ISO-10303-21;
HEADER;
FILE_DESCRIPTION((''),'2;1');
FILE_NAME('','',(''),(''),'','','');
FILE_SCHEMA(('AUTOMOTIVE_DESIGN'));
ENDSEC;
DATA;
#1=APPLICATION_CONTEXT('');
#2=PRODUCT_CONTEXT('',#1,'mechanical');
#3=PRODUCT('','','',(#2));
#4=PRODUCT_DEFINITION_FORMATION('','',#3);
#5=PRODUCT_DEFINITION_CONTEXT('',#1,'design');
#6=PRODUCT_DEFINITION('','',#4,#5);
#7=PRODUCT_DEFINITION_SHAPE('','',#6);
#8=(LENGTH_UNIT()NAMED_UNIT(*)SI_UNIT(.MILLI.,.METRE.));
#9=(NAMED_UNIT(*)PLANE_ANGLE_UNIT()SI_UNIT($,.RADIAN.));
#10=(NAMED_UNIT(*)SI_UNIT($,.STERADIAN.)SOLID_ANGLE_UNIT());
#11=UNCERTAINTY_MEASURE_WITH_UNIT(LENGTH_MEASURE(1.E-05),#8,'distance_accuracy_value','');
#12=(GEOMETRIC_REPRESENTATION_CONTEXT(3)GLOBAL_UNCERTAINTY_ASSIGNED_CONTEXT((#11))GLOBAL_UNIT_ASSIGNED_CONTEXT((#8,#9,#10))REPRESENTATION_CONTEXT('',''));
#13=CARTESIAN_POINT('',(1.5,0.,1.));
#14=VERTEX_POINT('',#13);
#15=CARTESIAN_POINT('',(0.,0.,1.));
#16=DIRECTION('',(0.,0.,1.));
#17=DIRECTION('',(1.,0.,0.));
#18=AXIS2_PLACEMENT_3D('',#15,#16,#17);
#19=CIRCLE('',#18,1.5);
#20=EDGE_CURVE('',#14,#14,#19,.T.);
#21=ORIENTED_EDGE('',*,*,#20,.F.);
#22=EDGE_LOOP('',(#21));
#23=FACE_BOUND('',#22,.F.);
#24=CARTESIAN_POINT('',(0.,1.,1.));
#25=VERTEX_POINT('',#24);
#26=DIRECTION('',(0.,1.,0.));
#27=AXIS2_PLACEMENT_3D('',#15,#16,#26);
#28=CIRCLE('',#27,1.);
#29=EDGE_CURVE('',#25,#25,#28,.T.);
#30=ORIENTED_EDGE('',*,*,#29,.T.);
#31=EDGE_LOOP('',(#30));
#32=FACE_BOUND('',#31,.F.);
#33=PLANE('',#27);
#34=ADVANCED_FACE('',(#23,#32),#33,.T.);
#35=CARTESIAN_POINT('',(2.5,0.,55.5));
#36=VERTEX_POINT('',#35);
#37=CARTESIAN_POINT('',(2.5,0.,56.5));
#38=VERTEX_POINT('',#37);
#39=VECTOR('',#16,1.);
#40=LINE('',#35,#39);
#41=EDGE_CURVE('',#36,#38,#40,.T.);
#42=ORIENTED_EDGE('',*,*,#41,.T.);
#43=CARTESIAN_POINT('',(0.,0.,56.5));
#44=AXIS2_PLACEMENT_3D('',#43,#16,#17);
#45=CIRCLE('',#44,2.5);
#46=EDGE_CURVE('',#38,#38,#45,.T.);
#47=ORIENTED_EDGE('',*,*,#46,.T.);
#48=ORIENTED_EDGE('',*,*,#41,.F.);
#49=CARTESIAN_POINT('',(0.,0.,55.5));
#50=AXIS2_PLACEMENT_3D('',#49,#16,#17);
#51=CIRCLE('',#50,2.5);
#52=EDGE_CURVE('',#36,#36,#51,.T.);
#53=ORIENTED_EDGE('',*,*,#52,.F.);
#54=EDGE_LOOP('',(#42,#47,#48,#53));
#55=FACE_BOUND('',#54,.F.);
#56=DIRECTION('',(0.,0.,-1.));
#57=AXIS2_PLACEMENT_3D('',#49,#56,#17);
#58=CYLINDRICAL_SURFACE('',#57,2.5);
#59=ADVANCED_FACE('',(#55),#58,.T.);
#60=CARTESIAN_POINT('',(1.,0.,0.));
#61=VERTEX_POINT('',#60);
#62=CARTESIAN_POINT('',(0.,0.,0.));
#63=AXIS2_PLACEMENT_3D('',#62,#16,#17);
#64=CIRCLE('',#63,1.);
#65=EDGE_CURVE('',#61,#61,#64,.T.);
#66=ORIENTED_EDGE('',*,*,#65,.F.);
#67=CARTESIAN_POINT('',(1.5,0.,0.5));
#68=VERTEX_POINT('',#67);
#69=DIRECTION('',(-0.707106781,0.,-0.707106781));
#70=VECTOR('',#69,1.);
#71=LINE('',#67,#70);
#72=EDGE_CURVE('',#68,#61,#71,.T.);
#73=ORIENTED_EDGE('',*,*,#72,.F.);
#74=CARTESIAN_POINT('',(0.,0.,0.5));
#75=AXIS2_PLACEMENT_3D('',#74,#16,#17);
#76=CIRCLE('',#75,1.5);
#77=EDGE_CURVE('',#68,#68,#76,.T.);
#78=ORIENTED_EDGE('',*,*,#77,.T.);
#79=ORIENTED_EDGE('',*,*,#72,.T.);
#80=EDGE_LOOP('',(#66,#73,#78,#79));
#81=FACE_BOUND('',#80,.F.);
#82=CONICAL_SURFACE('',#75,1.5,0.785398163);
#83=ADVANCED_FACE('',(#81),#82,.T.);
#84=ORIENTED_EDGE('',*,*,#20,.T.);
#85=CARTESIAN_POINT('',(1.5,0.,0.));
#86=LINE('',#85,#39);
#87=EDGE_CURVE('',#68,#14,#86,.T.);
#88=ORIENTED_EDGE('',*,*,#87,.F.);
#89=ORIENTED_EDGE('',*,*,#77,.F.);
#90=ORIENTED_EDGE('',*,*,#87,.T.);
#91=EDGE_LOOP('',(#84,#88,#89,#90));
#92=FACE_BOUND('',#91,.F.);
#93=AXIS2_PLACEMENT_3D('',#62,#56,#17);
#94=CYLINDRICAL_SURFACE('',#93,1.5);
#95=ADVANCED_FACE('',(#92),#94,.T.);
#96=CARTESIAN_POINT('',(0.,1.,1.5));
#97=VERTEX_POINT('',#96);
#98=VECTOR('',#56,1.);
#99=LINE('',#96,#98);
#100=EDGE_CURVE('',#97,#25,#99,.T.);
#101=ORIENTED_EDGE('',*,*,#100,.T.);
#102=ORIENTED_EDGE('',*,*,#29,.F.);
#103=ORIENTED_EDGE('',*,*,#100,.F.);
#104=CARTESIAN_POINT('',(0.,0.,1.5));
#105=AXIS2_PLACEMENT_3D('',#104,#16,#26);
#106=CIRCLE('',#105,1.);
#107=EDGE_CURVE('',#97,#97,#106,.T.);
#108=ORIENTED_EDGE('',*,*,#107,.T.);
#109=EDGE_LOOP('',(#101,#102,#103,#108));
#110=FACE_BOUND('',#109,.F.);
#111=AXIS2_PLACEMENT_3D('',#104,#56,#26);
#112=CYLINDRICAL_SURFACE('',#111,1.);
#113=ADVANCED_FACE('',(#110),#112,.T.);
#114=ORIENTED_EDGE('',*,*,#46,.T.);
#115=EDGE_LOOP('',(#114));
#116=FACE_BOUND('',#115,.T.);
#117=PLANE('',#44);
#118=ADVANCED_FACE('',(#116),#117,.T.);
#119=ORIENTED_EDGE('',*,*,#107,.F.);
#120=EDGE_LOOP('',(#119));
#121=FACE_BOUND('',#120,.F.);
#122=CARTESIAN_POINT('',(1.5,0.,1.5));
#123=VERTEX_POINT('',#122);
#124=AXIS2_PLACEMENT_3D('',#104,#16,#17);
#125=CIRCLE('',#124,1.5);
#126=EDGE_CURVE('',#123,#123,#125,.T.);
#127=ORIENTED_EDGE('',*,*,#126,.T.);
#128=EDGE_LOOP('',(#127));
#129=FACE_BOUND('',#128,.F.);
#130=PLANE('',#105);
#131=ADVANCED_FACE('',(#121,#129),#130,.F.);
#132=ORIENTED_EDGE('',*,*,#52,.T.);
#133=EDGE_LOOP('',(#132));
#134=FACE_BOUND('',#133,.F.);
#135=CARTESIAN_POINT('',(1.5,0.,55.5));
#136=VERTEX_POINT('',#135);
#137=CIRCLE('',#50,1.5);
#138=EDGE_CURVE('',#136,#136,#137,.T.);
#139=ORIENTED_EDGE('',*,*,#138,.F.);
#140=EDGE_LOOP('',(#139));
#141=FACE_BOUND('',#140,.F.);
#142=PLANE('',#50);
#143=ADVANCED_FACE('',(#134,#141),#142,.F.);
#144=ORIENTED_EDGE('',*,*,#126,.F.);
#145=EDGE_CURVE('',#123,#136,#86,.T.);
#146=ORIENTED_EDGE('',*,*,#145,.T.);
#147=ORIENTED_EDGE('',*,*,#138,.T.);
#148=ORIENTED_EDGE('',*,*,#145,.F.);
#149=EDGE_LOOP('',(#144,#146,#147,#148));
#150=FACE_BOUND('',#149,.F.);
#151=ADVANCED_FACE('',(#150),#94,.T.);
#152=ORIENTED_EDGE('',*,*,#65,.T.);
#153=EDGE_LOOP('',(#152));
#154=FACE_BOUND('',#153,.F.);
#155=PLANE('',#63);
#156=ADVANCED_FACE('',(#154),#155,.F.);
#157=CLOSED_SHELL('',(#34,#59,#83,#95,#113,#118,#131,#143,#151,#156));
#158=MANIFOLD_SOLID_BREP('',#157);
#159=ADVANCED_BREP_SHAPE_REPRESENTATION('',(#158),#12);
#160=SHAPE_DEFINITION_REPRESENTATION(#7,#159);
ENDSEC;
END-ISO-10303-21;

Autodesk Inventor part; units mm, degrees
ref_plane "YZ Plane" through (0, 0, 0) normal (1, 0, 0) x (0, 1, 0)
ref_plane "XZ Plane" through (0, 0, 0) normal (0, 1, 0) x (-1, 0, 0)
ref_plane "XY Plane" through (0, 0, 0) normal (0, 0, 1) x (1, 0, 0)
sketch "Sketch1" plane through (0, 0, 0) normal (0, 0, 1) x (1, 0, 0)
  circle A0 centre (0, 0) radius 1.5
  dimension "d0" = 3
extrude "Extrusion1" add sketch "Sketch1" along normal blind 55.5
sketch "Sketch2" plane through (0, 0, 55.5) normal (0, 0, 1) x (1, 0, 0)
  circle A0 centre (0, 0) radius 1.5 projected
  circle A1 centre (0, 0) radius 2.5
  dimension "d3" = 5
extrude "Extrusion2" add sketch "Sketch2" along normal blind 1 contours A0 | A1
sketch "Sketch3" plane through (0, 0, 0) normal (1, 0, 0) x (0, 1, 0)
  line L0 (-1.5, 55.5) -> (-2.5, 55.5) projected
  line L1 (-2.5, 55.5) -> (-2.5, 56.5) projected
  line L2 (-2.5, 56.5) -> (2.5, 56.5) projected
  line L3 (2.5, 56.5) -> (2.5, 55.5) projected
  line L4 (2.5, 55.5) -> (1.5, 55.5) projected
  line L5 (1.5, 55.5) -> (1.5, 0) projected
  line L6 (1.5, 0) -> (-1.5, 0) projected
  line L7 (-1.5, 0) -> (-1.5, 55.5) projected
  line L8 (1.5, 1.5) -> (1, 1.5)
  line L9 (1, 1.5) -> (1, 1)
  line L10 (1, 1) -> (1.5, 1)
  line L11 (1.5, 1) -> (1.5, 1.5)
  line L12 (0, -11.4) -> (0, 68.4) projected
  point P0 (0, 0)
  dimension "d6" = 54
  dimension "d7" = 0.5
  dimension "d8" = 0.5
revolve "Revolution1" cut sketch "Sketch3" angle 360 about axis through (0, 0, -10) along (0, 0, 1) contours L10 L9 L8 L5
chamfer "Chamfer1" distance 0.5 angle 45 1 edges at (-1.5, 0, 0)
properties part number "Axle" material "Aluminum 6061"
